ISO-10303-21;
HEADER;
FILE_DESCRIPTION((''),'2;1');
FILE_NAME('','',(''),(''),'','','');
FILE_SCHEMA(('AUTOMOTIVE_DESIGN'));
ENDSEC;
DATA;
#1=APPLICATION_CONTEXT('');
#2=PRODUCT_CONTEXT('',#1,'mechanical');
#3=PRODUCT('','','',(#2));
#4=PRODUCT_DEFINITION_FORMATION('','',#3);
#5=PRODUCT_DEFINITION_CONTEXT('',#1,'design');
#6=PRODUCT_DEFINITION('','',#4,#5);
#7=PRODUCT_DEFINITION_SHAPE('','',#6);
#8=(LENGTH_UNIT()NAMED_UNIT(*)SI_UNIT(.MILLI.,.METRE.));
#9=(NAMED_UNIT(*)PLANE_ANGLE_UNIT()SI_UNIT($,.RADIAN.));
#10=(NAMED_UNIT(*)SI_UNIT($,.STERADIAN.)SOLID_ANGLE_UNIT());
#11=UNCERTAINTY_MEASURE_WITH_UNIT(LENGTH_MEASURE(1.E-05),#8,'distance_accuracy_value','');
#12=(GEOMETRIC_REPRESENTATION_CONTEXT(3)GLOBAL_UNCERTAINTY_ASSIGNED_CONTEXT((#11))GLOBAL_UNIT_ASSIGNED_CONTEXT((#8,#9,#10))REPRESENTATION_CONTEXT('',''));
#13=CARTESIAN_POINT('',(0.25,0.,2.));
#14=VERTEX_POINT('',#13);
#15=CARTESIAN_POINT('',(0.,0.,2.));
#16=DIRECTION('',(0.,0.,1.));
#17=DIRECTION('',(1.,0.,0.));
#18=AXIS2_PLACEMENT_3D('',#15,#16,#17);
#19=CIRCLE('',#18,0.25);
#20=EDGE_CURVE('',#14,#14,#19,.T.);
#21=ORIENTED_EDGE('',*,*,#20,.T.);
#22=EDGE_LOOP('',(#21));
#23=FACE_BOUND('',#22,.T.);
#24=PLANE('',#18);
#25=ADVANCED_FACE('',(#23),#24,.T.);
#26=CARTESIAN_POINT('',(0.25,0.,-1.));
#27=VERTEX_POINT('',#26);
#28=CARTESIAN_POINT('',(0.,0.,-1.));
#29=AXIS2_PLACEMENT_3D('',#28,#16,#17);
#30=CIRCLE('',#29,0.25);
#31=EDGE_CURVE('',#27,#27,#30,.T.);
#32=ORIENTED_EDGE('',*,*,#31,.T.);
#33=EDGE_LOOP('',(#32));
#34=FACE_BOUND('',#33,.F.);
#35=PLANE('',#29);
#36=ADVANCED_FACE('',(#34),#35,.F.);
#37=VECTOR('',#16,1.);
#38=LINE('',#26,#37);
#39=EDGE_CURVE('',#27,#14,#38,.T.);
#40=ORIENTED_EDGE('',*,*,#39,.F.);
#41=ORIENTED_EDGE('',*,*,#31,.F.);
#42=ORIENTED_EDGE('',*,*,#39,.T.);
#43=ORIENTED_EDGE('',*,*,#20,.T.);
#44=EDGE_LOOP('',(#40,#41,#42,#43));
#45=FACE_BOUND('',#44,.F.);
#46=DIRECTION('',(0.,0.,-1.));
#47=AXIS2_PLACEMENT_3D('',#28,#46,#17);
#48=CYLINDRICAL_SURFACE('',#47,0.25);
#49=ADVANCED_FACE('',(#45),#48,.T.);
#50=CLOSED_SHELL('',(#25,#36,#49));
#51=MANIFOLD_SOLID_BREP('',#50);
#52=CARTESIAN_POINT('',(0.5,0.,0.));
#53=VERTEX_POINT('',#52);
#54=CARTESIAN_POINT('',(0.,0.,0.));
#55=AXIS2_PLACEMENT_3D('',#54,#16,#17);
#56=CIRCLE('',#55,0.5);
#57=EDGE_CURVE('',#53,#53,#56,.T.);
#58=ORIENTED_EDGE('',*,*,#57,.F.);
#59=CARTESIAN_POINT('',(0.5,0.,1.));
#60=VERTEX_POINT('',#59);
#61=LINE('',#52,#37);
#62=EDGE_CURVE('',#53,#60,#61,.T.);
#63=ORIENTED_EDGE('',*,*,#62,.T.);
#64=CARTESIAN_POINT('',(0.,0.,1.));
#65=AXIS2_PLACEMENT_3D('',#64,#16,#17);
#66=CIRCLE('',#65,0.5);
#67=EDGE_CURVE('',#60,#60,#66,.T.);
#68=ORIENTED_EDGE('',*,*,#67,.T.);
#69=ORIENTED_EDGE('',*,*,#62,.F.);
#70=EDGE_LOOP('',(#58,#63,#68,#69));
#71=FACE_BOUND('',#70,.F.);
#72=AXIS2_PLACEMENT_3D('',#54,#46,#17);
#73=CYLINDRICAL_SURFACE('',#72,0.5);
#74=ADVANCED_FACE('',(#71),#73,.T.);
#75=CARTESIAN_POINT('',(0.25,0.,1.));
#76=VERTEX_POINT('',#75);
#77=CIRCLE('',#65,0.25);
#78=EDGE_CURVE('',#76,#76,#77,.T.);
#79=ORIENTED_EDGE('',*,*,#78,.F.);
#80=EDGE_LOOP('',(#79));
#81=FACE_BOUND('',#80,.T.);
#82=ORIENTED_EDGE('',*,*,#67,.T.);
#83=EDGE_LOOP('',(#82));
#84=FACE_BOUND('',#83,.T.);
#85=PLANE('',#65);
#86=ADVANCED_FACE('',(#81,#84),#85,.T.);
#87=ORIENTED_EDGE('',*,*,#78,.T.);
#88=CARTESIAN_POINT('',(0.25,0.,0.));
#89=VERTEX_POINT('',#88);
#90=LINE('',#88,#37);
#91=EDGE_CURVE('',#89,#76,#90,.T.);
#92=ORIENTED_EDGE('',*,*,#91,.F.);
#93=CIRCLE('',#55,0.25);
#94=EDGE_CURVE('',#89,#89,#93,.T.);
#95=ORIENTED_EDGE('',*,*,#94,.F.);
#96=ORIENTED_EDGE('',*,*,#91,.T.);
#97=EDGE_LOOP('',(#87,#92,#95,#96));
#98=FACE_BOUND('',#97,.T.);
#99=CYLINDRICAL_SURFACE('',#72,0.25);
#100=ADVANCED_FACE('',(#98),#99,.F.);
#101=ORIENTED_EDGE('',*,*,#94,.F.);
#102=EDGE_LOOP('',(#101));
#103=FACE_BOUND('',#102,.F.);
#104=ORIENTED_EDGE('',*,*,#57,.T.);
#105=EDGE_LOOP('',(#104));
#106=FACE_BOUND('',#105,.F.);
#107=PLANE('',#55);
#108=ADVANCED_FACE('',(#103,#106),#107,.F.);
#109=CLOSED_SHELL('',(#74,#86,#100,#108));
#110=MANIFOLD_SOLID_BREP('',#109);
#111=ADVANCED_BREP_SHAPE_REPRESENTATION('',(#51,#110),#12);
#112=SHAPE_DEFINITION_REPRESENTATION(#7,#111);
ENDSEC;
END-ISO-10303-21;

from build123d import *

# Parameters (mm, degrees)
TUBE_R         = 0.5
TUBE_R_2       = 0.25
TUBE_DEPTH     = 1
CYLINDER_R     = 0.25
CYLINDER_DEPTH = 3


with BuildPart() as tube:
    # Tube → Tube (new body)
    with BuildSketch(Plane.XY):
        Circle(TUBE_R)
        Circle(TUBE_R_2, mode=Mode.SUBTRACT)
    extrude(amount=TUBE_DEPTH)


with BuildPart() as cylinder:
    # Cylinder → Cylinder (new body)
    with BuildSketch(Plane.XY.offset(-1)):
        Circle(CYLINDER_R)
    extrude(amount=CYLINDER_DEPTH)


solid = Compound([tube.part, cylinder.part])
